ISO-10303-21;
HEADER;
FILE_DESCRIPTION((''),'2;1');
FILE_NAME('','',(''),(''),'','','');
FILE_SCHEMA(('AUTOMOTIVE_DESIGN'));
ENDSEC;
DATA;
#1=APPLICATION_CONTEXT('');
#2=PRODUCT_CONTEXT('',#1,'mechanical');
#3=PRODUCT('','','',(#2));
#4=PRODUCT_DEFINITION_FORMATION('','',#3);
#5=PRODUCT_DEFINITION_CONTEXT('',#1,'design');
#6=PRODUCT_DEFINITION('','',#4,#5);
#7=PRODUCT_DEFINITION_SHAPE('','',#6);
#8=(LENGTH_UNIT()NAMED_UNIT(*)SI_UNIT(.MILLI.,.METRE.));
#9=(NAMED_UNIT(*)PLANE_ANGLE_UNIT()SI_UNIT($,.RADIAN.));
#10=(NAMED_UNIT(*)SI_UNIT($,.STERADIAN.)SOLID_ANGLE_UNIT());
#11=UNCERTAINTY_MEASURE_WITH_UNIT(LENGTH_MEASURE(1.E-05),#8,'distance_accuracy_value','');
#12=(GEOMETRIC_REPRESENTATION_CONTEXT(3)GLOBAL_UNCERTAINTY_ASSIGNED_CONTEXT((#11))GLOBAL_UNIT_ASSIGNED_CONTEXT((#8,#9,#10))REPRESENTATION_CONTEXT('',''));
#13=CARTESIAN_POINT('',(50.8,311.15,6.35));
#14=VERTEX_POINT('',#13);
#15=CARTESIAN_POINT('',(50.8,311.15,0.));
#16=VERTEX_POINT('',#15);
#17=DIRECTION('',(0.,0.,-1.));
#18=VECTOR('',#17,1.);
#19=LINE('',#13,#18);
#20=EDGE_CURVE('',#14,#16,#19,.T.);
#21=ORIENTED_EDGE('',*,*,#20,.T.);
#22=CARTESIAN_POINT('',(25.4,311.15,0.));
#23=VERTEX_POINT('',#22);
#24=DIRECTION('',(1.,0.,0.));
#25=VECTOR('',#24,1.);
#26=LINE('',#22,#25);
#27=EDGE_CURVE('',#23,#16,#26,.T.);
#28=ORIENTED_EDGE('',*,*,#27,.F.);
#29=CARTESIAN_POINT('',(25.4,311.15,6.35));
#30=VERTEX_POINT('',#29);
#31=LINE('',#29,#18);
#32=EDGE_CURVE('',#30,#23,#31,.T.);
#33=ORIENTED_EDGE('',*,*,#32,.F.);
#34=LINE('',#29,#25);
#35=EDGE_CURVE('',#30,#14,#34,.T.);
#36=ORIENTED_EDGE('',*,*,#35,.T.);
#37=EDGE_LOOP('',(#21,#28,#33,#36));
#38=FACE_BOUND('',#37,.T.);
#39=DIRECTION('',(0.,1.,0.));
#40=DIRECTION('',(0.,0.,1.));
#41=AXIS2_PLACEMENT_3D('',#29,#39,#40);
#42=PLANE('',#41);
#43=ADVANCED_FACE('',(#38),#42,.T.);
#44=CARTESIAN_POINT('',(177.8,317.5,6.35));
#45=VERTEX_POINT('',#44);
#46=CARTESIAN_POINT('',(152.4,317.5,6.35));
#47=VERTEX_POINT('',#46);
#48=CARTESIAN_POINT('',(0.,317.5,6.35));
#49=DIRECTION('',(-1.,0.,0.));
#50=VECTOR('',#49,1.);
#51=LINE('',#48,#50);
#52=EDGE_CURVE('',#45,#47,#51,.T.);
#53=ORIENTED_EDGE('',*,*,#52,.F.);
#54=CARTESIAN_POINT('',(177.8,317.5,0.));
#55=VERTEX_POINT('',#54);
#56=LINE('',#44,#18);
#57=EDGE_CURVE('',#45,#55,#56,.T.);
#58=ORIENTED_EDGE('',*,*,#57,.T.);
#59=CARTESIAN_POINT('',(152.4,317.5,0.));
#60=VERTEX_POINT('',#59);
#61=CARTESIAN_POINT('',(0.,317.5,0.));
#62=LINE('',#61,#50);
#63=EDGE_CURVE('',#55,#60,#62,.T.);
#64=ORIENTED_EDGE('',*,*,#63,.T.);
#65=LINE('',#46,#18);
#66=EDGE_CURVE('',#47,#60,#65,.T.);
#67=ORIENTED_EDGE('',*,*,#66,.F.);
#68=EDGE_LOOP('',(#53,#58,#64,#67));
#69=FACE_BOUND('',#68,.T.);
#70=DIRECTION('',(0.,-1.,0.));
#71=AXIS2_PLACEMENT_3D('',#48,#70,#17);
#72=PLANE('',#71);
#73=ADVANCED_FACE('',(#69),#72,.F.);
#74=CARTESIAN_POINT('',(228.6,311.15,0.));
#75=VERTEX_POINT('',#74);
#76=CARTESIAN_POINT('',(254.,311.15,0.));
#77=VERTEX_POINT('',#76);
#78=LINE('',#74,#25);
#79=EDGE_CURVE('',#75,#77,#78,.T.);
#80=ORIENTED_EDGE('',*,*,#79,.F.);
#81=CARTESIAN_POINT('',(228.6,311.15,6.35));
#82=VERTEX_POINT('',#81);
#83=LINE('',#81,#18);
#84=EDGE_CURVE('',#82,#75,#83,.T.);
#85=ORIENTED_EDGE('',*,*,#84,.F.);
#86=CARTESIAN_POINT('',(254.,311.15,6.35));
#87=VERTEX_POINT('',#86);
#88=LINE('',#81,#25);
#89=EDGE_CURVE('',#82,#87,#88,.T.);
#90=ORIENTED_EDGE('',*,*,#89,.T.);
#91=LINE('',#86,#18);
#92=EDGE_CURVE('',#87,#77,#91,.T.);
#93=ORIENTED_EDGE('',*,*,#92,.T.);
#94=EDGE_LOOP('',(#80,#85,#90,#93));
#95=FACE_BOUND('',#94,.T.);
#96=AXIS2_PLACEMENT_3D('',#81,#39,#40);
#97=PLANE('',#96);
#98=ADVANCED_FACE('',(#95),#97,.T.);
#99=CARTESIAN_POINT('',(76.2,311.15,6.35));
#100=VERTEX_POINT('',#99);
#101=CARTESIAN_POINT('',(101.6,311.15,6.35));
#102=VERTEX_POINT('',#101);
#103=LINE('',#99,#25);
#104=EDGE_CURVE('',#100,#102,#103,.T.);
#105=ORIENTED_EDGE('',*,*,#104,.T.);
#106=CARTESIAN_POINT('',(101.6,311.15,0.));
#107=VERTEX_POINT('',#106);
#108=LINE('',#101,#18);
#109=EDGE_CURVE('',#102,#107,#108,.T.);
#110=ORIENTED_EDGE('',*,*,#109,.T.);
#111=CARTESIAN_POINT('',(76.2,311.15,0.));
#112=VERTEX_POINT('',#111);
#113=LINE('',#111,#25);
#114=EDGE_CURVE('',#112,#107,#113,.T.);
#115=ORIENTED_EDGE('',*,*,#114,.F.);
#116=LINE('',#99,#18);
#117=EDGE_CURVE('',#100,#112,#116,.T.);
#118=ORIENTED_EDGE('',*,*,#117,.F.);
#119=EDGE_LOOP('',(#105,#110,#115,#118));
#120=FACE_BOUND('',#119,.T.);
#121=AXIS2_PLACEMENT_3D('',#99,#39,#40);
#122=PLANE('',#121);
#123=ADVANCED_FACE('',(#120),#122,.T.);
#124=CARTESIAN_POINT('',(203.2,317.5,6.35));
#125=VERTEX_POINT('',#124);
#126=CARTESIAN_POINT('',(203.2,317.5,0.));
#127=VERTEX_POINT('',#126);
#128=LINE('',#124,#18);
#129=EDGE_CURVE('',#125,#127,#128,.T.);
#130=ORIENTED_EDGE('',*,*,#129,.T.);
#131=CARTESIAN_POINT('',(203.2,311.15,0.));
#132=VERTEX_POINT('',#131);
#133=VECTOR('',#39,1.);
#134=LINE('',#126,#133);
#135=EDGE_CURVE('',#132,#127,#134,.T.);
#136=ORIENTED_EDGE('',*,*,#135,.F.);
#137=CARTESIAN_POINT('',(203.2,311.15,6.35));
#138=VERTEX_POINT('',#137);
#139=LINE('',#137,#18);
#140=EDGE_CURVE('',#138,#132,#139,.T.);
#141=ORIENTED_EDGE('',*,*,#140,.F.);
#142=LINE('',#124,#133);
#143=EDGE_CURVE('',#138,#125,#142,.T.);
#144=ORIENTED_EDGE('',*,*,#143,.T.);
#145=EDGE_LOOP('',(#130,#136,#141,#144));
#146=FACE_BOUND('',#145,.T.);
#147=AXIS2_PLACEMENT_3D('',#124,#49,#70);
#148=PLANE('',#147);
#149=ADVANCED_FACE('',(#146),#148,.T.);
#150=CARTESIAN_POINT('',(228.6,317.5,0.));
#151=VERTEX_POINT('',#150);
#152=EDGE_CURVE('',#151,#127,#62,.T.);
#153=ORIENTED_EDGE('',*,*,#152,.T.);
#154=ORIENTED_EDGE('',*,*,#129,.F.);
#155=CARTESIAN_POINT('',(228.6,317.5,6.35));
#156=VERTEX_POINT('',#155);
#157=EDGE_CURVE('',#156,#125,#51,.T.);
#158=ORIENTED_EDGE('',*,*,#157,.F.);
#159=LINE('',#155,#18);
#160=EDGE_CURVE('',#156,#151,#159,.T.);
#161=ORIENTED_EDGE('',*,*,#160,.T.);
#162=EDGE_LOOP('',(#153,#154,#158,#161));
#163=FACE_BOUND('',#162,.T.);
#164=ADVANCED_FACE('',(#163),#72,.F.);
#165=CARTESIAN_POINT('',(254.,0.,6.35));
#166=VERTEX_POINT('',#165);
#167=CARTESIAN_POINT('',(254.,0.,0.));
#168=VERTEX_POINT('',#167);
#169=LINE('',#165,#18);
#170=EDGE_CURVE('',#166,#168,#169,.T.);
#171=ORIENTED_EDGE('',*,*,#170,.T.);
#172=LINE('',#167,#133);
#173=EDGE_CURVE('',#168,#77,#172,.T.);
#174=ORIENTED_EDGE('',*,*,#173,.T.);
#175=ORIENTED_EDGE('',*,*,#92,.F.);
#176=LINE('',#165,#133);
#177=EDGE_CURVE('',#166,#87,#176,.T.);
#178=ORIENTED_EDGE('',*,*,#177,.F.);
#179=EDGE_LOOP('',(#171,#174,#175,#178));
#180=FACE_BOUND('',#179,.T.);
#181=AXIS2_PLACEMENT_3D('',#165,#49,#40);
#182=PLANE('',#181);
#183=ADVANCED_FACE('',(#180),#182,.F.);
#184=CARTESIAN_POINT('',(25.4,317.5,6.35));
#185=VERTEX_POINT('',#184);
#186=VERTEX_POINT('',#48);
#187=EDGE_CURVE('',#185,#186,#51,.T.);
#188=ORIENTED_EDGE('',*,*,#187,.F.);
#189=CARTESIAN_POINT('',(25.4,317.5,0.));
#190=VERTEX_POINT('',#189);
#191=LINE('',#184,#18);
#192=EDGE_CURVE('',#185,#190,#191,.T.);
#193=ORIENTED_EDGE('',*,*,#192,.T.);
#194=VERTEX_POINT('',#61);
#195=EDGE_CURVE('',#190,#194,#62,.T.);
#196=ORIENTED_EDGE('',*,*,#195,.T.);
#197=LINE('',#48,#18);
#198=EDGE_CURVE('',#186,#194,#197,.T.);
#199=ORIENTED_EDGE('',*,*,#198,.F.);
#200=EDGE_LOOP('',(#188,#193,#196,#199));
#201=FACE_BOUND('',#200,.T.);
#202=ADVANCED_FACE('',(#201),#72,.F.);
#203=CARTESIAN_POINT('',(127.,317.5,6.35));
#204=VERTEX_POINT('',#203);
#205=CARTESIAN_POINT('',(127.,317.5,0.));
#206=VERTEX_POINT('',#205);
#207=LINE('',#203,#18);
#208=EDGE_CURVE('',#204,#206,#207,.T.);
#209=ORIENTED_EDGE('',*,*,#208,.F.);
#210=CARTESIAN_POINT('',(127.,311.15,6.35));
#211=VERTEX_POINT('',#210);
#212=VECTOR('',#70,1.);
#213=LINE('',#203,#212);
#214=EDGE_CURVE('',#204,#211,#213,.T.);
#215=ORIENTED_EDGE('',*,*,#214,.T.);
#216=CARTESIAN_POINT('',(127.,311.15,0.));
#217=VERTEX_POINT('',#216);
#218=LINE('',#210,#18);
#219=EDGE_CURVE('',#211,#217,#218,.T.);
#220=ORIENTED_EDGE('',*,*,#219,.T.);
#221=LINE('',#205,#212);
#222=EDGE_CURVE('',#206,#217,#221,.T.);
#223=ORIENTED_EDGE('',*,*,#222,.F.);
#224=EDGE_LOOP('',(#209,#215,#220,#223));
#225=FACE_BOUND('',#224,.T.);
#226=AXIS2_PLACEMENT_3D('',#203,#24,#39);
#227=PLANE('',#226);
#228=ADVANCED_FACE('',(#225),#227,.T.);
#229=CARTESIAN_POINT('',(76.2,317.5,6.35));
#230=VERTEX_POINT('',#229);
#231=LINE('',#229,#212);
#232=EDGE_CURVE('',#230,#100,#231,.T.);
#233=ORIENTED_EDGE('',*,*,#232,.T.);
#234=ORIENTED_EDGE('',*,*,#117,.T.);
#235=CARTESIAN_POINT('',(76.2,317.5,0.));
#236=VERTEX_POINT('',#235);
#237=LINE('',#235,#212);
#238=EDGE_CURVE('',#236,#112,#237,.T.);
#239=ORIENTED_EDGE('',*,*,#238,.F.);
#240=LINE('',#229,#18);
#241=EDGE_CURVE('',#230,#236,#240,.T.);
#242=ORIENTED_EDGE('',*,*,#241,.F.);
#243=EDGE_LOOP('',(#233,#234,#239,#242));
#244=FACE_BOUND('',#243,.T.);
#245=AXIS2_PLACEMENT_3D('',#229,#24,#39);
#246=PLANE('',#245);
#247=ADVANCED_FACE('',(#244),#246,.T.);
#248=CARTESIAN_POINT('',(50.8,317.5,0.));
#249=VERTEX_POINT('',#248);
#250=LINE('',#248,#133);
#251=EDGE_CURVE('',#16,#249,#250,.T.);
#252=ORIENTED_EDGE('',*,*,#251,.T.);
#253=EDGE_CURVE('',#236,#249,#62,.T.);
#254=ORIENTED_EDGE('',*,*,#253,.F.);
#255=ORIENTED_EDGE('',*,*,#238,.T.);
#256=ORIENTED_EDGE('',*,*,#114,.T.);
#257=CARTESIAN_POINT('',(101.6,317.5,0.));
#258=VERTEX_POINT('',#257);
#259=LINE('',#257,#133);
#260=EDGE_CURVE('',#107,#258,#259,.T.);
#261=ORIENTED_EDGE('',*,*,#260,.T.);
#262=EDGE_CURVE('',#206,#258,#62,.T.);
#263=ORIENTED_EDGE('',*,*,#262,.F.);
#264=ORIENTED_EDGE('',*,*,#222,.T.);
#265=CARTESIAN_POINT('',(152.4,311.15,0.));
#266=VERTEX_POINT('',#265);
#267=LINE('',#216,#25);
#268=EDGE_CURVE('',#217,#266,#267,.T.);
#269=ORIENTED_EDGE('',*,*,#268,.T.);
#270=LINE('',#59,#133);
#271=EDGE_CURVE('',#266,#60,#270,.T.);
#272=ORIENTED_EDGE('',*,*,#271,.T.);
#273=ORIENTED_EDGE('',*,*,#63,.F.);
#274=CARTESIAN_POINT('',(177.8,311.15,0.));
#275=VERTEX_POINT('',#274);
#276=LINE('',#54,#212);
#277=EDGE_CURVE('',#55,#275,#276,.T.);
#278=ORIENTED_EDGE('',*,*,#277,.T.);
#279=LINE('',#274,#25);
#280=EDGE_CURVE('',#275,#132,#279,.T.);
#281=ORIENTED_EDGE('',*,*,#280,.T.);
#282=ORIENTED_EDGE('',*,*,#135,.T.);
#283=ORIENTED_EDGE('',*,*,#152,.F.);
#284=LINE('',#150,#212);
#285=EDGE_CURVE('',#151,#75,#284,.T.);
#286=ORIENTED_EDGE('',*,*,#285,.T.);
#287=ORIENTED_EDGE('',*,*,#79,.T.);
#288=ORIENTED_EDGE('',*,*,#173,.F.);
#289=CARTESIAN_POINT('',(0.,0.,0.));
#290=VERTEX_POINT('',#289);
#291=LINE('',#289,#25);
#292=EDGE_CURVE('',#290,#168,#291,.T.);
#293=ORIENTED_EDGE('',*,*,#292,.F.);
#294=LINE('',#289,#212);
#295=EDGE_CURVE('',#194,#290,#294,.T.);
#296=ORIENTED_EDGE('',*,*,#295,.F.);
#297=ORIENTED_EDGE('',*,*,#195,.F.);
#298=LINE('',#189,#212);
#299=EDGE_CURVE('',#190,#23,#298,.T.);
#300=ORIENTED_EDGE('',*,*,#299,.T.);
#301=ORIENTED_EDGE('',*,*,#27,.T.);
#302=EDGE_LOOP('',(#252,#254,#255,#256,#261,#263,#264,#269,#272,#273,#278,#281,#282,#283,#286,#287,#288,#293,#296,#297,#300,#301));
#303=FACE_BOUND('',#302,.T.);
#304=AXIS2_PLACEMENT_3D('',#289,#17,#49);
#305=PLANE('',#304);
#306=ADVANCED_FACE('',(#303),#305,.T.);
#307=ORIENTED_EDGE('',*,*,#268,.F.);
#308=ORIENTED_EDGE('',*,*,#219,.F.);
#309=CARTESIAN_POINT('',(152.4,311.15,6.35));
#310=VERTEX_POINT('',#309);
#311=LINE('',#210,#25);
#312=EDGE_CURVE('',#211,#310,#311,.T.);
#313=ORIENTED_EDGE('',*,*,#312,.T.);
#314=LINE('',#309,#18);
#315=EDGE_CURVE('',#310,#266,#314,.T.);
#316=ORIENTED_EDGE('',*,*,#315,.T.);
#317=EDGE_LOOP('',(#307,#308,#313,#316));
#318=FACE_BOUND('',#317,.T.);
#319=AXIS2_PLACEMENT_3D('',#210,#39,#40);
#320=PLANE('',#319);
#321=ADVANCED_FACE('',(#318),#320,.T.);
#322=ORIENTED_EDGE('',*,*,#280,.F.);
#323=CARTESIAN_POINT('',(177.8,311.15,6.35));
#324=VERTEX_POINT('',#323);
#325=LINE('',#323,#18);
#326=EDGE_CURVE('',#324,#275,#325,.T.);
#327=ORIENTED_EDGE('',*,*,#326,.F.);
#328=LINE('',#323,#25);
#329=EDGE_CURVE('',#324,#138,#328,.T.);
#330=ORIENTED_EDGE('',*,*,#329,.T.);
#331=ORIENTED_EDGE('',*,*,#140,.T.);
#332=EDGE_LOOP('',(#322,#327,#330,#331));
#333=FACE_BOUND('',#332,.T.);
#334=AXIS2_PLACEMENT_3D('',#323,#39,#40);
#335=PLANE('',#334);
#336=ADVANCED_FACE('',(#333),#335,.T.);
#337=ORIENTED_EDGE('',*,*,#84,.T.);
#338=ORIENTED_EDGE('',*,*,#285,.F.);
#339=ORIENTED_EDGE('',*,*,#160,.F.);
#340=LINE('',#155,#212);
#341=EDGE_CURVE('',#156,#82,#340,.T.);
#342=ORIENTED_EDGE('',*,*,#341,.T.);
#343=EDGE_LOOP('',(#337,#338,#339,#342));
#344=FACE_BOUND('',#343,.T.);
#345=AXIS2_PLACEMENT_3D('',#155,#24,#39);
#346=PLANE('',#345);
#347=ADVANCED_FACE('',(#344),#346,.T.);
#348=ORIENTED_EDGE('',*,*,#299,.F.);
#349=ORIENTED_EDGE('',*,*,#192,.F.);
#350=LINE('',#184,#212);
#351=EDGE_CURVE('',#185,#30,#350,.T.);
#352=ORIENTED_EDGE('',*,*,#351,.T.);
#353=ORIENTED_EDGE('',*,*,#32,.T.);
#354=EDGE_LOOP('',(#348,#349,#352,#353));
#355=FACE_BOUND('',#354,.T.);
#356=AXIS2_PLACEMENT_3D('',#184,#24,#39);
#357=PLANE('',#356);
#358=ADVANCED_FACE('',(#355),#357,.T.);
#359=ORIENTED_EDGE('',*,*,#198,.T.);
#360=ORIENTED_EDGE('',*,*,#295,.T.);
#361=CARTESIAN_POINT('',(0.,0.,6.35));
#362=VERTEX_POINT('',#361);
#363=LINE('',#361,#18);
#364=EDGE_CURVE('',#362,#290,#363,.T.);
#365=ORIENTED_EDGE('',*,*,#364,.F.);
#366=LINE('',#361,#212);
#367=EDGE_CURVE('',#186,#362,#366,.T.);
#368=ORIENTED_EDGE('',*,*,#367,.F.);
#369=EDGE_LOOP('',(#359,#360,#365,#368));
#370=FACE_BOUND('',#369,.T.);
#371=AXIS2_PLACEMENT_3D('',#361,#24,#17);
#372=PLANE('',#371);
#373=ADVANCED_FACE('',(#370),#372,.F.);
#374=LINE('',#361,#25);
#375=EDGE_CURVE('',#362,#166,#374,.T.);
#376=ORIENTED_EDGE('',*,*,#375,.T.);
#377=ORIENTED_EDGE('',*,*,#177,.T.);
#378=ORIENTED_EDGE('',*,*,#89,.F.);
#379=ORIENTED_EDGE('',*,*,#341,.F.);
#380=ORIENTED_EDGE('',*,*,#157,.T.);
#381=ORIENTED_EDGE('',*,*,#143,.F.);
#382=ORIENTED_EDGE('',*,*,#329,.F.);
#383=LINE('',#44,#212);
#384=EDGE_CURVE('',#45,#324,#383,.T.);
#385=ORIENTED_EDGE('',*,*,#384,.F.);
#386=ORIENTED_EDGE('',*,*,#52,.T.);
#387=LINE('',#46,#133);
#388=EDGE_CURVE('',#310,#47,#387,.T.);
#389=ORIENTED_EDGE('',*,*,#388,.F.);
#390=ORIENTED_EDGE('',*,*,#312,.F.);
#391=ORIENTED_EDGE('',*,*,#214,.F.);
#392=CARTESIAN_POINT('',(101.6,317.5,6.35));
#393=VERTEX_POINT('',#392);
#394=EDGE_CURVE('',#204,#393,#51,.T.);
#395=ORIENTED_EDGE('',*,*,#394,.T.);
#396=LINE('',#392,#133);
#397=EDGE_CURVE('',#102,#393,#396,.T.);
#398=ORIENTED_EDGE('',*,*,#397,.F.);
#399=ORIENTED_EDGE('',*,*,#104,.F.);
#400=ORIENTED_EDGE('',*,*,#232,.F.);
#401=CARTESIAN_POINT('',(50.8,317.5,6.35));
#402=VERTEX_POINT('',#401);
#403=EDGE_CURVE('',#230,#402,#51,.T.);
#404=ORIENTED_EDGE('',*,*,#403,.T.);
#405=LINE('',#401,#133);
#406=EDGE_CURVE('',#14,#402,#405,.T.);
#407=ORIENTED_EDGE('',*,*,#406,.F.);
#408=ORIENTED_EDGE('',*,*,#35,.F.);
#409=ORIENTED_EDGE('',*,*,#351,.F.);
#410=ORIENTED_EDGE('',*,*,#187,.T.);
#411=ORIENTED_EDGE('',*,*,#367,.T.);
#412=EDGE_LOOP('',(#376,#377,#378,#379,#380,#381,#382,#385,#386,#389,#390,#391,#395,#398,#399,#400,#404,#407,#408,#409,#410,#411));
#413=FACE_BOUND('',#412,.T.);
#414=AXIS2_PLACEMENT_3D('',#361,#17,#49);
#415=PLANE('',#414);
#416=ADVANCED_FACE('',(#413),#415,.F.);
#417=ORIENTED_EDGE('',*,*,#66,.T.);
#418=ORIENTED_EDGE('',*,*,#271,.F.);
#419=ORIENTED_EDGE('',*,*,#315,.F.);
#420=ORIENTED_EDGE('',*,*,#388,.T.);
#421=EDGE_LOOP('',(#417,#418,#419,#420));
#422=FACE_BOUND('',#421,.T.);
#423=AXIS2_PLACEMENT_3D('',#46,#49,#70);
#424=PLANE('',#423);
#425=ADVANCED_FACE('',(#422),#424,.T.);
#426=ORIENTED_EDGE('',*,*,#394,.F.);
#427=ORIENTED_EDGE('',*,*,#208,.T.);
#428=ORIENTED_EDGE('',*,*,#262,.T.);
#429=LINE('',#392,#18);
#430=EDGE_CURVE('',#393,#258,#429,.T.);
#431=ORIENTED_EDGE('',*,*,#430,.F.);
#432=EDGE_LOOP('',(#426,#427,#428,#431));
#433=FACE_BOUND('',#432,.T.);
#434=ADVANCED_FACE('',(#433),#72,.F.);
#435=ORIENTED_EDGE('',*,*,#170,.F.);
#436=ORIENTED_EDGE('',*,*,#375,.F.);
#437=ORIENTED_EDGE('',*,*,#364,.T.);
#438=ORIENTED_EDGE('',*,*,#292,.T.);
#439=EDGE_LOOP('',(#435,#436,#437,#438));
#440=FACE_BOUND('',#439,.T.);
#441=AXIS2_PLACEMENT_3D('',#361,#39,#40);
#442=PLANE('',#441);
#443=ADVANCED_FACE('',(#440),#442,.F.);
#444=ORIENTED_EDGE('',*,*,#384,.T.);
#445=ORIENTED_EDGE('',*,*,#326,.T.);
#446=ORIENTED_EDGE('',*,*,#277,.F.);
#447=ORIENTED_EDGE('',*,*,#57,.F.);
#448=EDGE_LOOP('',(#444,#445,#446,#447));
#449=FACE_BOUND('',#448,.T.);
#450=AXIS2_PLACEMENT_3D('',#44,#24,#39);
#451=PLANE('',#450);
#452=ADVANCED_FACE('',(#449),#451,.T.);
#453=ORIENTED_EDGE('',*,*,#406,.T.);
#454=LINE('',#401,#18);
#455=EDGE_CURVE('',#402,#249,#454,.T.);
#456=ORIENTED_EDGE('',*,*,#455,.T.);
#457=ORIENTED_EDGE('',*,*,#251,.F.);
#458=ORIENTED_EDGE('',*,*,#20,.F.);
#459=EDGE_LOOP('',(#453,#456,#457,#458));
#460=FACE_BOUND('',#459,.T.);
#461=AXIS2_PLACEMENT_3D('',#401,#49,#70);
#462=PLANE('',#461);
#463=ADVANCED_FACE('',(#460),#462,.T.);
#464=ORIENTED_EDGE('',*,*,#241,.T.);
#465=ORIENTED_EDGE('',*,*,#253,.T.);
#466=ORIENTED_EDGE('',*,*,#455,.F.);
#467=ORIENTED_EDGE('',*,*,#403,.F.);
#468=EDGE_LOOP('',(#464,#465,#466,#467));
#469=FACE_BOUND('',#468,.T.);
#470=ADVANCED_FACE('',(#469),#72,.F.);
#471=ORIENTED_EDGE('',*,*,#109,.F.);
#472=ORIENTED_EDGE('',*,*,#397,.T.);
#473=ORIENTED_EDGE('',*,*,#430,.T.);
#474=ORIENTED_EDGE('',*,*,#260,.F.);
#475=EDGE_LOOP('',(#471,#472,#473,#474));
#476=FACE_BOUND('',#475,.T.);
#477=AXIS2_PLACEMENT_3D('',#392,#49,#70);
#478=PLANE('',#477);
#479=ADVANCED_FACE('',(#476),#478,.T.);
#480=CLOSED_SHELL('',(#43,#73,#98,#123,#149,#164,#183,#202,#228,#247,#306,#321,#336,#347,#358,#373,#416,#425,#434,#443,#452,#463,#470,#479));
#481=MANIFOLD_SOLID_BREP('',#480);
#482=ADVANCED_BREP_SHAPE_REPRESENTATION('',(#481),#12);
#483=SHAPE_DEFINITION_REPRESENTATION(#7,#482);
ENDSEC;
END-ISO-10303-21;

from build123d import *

# Parameters (mm, degrees)
SKETCH1_W           = 254
SKETCH1_H           = 317.5
BOSS_EXTRUDE1_DEPTH = 6.35
SKETCH2_W           = 25.4
SKETCH2_H           = 6.35
CUT_EXTRUDE1_DEPTH  = 6.35
LPATTERN1_COUNT     = 5
LPATTERN1_PITCH     = 50.8


with BuildPart() as part:
    # Sketch1 → Boss-Extrude1 (new body)
    with BuildSketch(Plane.XY):
        with Locations((127, 158.75)):
            Rectangle(SKETCH1_W, SKETCH1_H)
    extrude(amount=BOSS_EXTRUDE1_DEPTH)

    # Sketch2 → Cut-Extrude1 (cut)
    with BuildSketch(Plane.XY):
        with Locations((38.1, 314.325)):
            Rectangle(SKETCH2_W, SKETCH2_H)
    cut_extrude1 = extrude(amount=CUT_EXTRUDE1_DEPTH, mode=Mode.SUBTRACT)

    # LPattern1: Cut-Extrude1 ×5
    with Locations(*[(i * LPATTERN1_PITCH, 0, 0) for i in range(1, LPATTERN1_COUNT)]):
        add(cut_extrude1, mode=Mode.SUBTRACT)


solid = part.part
